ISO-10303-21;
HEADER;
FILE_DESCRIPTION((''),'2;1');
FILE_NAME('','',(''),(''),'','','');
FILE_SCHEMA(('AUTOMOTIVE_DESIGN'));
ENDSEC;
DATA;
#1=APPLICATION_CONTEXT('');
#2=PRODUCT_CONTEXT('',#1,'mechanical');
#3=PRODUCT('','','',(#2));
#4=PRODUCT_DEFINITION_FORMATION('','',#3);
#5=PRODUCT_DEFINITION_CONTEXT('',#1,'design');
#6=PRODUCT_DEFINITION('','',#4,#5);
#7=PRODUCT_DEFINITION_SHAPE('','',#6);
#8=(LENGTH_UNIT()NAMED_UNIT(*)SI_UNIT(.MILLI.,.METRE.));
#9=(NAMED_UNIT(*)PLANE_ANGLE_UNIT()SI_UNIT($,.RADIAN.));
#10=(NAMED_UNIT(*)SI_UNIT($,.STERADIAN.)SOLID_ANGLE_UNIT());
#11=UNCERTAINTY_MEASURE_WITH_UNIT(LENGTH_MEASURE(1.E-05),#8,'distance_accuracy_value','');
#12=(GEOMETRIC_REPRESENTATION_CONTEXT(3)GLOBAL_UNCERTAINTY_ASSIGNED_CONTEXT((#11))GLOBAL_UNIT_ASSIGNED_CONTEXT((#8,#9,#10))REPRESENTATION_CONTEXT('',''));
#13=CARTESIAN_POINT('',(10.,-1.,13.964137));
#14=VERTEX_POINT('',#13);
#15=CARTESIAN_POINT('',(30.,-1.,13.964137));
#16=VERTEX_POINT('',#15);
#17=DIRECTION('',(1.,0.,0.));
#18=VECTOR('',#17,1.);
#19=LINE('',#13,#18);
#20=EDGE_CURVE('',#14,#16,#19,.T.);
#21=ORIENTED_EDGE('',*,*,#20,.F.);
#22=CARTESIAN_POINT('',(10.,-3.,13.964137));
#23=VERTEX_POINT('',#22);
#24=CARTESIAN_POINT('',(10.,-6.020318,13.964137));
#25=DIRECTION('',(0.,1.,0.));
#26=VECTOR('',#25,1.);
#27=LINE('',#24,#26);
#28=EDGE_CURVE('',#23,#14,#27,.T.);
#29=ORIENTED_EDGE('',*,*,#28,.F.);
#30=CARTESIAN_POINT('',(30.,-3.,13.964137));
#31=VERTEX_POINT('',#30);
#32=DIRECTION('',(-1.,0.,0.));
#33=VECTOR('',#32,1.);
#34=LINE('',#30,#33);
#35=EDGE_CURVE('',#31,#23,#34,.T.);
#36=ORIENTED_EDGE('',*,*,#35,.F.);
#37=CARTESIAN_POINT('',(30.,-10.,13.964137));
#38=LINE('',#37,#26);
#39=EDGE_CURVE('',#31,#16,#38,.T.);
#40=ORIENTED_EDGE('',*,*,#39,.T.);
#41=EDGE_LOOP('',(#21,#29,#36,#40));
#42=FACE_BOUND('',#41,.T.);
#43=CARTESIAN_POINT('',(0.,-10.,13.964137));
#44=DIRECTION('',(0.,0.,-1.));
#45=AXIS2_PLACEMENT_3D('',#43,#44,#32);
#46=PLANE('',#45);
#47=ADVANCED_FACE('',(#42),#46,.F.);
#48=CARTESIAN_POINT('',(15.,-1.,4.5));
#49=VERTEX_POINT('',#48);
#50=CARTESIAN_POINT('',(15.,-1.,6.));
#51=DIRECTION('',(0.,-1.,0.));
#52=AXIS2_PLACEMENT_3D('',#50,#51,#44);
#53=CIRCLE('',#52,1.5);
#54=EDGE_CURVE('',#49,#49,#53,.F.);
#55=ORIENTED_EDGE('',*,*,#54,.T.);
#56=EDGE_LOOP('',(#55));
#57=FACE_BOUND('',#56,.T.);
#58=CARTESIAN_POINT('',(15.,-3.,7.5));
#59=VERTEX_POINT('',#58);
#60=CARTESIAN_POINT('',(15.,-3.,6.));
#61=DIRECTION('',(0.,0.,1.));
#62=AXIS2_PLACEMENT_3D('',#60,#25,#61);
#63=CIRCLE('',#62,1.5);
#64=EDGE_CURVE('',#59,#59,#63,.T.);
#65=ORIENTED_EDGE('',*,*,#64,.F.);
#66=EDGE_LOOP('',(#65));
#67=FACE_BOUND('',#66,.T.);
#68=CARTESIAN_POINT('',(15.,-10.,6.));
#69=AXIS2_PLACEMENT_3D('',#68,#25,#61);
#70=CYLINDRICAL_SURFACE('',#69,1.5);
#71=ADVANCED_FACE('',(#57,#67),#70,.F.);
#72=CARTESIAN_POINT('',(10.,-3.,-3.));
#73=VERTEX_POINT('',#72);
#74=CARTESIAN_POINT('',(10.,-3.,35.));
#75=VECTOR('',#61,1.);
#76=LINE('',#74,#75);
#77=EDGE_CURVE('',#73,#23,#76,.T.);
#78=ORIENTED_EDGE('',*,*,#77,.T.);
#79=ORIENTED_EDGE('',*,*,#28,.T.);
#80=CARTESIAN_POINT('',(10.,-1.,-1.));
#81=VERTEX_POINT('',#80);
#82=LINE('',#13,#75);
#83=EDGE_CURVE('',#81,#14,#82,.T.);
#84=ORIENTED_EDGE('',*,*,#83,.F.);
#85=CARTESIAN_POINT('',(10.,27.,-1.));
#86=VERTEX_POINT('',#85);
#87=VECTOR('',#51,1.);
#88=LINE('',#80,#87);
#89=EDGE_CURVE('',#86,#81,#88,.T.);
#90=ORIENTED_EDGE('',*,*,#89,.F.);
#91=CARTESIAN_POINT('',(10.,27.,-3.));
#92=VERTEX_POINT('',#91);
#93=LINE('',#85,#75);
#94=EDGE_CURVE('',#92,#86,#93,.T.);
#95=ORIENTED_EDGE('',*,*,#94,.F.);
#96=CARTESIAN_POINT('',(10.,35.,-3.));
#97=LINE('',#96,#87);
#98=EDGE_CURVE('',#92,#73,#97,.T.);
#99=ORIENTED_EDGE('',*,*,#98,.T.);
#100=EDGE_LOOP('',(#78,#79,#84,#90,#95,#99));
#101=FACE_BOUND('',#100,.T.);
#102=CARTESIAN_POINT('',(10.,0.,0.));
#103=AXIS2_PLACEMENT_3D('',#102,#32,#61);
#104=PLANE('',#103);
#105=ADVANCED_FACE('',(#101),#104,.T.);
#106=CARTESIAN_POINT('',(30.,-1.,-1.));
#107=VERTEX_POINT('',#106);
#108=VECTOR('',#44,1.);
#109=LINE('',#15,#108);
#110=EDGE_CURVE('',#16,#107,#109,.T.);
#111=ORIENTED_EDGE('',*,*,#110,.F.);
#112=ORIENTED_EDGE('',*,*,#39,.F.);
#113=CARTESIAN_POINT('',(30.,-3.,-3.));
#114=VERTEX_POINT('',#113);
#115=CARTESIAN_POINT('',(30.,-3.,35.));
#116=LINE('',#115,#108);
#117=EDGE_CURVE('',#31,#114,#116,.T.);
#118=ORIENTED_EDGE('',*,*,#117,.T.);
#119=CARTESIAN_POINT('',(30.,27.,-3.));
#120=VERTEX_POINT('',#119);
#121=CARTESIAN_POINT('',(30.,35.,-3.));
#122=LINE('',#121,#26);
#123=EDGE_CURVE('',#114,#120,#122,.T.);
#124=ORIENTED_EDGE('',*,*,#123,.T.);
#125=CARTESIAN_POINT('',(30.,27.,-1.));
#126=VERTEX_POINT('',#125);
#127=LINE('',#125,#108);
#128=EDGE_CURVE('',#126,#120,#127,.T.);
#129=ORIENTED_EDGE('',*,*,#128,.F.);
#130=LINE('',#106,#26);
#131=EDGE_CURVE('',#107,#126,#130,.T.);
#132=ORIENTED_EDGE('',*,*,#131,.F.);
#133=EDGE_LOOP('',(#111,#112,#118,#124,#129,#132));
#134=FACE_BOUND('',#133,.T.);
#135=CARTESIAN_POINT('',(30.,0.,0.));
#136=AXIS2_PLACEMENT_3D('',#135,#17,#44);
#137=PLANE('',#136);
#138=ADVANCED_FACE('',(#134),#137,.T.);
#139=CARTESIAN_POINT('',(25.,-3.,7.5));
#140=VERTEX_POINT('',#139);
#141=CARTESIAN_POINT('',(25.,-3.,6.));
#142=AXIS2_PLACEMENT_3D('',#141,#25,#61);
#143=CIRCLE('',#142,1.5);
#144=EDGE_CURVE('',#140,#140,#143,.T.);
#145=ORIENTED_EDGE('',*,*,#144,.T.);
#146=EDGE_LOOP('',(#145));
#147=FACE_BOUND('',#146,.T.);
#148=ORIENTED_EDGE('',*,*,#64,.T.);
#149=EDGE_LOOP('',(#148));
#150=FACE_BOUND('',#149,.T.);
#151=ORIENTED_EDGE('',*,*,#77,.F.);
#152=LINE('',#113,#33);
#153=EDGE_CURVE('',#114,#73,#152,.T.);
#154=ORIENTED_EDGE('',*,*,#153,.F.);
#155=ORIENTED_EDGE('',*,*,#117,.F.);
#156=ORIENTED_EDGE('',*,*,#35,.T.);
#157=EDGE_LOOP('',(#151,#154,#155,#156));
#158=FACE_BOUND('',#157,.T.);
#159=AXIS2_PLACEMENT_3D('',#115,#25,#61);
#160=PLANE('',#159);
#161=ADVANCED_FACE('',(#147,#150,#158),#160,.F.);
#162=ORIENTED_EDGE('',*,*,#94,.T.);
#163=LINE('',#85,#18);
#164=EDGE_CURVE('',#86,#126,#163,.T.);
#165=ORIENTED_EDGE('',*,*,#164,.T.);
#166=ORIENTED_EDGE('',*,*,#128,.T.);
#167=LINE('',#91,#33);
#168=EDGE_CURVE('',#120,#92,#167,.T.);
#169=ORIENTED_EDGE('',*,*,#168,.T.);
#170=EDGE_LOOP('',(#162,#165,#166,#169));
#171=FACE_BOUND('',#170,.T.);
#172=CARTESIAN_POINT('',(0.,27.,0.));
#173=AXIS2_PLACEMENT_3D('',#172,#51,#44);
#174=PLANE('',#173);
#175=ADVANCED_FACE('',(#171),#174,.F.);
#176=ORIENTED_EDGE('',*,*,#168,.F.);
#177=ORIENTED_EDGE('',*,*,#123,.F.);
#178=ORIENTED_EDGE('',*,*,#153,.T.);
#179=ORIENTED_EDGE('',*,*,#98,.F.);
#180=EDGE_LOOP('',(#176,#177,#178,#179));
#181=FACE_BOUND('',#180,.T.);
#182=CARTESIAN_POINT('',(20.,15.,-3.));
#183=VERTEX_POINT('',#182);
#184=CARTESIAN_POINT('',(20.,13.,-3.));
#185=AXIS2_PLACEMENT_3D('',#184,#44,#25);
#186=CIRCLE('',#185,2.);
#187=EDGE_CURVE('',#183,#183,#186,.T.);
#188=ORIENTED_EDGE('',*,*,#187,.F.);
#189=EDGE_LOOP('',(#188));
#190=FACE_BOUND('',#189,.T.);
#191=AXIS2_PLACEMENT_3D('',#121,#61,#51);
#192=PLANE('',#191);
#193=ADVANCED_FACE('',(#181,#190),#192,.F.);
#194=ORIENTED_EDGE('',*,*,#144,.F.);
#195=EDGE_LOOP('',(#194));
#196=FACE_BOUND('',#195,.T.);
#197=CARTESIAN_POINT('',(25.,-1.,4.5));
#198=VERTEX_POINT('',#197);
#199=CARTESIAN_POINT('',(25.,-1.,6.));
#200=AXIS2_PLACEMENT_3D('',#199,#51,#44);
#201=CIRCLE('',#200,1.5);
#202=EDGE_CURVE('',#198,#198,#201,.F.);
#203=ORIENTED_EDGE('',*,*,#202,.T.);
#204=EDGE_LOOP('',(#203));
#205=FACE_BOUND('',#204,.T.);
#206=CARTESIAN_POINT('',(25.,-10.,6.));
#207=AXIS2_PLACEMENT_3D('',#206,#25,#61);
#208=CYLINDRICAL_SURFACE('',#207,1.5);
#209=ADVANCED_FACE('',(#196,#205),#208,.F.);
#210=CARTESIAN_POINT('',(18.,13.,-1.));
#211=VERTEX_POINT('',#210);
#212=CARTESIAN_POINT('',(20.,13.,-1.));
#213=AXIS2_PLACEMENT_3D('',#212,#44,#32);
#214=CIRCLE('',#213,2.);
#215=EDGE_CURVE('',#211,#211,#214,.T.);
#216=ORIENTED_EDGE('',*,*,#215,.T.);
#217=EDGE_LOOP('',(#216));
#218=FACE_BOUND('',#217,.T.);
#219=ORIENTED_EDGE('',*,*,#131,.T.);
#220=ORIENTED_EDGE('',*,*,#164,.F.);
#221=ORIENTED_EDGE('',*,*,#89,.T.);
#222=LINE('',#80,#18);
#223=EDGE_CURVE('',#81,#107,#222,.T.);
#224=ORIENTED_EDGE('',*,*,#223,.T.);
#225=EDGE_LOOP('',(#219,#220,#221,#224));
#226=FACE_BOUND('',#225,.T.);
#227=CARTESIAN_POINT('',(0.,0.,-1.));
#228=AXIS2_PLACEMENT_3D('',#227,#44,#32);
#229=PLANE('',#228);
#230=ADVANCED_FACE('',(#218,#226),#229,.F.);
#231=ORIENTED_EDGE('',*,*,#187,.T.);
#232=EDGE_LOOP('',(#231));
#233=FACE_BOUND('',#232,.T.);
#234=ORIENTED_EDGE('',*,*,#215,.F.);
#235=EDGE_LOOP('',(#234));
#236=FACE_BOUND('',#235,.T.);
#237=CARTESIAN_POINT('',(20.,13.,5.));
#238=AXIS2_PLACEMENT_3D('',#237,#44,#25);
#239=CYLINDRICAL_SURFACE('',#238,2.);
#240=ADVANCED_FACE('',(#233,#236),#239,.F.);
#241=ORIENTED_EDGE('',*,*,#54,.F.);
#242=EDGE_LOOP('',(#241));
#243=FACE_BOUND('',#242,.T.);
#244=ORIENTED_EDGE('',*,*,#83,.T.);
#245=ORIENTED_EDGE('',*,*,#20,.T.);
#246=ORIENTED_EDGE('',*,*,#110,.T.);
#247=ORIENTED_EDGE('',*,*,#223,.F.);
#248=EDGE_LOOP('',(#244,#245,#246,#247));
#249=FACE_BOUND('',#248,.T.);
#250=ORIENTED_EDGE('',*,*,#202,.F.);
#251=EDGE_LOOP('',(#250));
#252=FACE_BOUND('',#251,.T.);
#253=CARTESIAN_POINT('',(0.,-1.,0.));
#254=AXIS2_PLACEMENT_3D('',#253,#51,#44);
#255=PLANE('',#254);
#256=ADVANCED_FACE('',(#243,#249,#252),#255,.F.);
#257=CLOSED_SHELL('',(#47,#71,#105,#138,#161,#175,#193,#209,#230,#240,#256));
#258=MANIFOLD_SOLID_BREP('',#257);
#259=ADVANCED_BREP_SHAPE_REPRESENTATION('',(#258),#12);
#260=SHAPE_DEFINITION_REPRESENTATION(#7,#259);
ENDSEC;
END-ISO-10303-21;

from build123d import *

# Parameters (mm, degrees)
EXTRUDE_1_DEPTH      = 30
SKETCH_6_W           = 21.999074129
SKETCH_6_H           = 43.978081363
CUT_EXTRUDE_5_DEPTH  = 10
SKETCH_7_W           = 30
SKETCH_7_H           = 21.035862509
CUT_EXTRUDE_6_DEPTH  = 10
SKETCH_8_R           = 1.5
CUT_EXTRUDE_7_DEPTH  = 10
SKETCH_9_W           = 20
SKETCH_9_H           = 13.964137491
CUT_EXTRUDE_8_DEPTH  = 1
SKETCH_10_W          = 20
SKETCH_10_H          = 36
CUT_EXTRUDE_9_DEPTH  = 1
SKETCH_11_W          = 20
SKETCH_11_H          = 2
CUT_EXTRUDE_10_DEPTH = 8
SKETCH_12_R          = 2
CUT_EXTRUDE_11_DEPTH = 8


with BuildPart() as part:
    # 草图1 → 凸台-拉伸1 (new body)
    with BuildSketch(Plane(origin=(0, 0, 0), x_dir=(0, 0, -1), z_dir=(1, 0, 0))):
        Polygon((0, 0), (0, 35), (3, 35), (3, -3), (-35, -3), (-35, 0), align=None)
    extrude(amount=EXTRUDE_1_DEPTH)

    # 草图6 → 切除-拉伸5 (cut)
    with BuildSketch(Plane.ZY):
        with Locations((2.964600426, 15.968723176)):
            Rectangle(SKETCH_6_W, SKETCH_6_H)
    extrude(amount=-CUT_EXTRUDE_5_DEPTH, mode=Mode.SUBTRACT)

    # 草图7 → 切除-拉伸6 (cut)
    with BuildSketch(Plane(origin=(0, 0, 0), x_dir=(1, 0, 0), z_dir=(0, 1, 0))):
        with Locations((15, -24.482068746)):
            Rectangle(SKETCH_7_W, SKETCH_7_H)
    extrude(amount=-CUT_EXTRUDE_6_DEPTH, mode=Mode.SUBTRACT)

    # 草图8 → 切除-拉伸7 (cut)
    with BuildSketch(Plane(origin=(0, 0, 0), x_dir=(1, 0, 0), z_dir=(0, 1, 0))):
        with Locations((15, -6)):
            Circle(SKETCH_8_R)
        with Locations((25, -6)):
            Circle(SKETCH_8_R)
    extrude(amount=-CUT_EXTRUDE_7_DEPTH, mode=Mode.SUBTRACT)

    # 草图9 → 切除-拉伸8 (cut)
    with BuildSketch(Plane(origin=(0, 0, 0), x_dir=(1, 0, 0), z_dir=(0, 1, 0))):
        with Locations((20, -6.982068746)):
            Rectangle(SKETCH_9_W, SKETCH_9_H)
    extrude(amount=-CUT_EXTRUDE_8_DEPTH, mode=Mode.SUBTRACT)

    # 草图10 → 切除-拉伸9 (cut)
    with BuildSketch(Plane.XY):
        with Locations((20, 17)):
            Rectangle(SKETCH_10_W, SKETCH_10_H)
    extrude(amount=-CUT_EXTRUDE_9_DEPTH, mode=Mode.SUBTRACT)

    # 草图11 → 切除-拉伸10 (cut)
    with BuildSketch(Plane(origin=(0, 35, 0), x_dir=(1, 0, 0), z_dir=(0, 1, 0))):
        with Locations((20, 2)):
            Rectangle(SKETCH_11_W, SKETCH_11_H)
    extrude(amount=-CUT_EXTRUDE_10_DEPTH, mode=Mode.SUBTRACT)

    # 草图12 → 切除-拉伸11 (cut)
    with BuildSketch(Plane(origin=(0, 0, -3), x_dir=(-1, 0, 0), z_dir=(0, 0, -1))):
        with Locations((-20, 13)):
            Circle(SKETCH_12_R)
    extrude(amount=-CUT_EXTRUDE_11_DEPTH, mode=Mode.SUBTRACT)


solid = part.part
